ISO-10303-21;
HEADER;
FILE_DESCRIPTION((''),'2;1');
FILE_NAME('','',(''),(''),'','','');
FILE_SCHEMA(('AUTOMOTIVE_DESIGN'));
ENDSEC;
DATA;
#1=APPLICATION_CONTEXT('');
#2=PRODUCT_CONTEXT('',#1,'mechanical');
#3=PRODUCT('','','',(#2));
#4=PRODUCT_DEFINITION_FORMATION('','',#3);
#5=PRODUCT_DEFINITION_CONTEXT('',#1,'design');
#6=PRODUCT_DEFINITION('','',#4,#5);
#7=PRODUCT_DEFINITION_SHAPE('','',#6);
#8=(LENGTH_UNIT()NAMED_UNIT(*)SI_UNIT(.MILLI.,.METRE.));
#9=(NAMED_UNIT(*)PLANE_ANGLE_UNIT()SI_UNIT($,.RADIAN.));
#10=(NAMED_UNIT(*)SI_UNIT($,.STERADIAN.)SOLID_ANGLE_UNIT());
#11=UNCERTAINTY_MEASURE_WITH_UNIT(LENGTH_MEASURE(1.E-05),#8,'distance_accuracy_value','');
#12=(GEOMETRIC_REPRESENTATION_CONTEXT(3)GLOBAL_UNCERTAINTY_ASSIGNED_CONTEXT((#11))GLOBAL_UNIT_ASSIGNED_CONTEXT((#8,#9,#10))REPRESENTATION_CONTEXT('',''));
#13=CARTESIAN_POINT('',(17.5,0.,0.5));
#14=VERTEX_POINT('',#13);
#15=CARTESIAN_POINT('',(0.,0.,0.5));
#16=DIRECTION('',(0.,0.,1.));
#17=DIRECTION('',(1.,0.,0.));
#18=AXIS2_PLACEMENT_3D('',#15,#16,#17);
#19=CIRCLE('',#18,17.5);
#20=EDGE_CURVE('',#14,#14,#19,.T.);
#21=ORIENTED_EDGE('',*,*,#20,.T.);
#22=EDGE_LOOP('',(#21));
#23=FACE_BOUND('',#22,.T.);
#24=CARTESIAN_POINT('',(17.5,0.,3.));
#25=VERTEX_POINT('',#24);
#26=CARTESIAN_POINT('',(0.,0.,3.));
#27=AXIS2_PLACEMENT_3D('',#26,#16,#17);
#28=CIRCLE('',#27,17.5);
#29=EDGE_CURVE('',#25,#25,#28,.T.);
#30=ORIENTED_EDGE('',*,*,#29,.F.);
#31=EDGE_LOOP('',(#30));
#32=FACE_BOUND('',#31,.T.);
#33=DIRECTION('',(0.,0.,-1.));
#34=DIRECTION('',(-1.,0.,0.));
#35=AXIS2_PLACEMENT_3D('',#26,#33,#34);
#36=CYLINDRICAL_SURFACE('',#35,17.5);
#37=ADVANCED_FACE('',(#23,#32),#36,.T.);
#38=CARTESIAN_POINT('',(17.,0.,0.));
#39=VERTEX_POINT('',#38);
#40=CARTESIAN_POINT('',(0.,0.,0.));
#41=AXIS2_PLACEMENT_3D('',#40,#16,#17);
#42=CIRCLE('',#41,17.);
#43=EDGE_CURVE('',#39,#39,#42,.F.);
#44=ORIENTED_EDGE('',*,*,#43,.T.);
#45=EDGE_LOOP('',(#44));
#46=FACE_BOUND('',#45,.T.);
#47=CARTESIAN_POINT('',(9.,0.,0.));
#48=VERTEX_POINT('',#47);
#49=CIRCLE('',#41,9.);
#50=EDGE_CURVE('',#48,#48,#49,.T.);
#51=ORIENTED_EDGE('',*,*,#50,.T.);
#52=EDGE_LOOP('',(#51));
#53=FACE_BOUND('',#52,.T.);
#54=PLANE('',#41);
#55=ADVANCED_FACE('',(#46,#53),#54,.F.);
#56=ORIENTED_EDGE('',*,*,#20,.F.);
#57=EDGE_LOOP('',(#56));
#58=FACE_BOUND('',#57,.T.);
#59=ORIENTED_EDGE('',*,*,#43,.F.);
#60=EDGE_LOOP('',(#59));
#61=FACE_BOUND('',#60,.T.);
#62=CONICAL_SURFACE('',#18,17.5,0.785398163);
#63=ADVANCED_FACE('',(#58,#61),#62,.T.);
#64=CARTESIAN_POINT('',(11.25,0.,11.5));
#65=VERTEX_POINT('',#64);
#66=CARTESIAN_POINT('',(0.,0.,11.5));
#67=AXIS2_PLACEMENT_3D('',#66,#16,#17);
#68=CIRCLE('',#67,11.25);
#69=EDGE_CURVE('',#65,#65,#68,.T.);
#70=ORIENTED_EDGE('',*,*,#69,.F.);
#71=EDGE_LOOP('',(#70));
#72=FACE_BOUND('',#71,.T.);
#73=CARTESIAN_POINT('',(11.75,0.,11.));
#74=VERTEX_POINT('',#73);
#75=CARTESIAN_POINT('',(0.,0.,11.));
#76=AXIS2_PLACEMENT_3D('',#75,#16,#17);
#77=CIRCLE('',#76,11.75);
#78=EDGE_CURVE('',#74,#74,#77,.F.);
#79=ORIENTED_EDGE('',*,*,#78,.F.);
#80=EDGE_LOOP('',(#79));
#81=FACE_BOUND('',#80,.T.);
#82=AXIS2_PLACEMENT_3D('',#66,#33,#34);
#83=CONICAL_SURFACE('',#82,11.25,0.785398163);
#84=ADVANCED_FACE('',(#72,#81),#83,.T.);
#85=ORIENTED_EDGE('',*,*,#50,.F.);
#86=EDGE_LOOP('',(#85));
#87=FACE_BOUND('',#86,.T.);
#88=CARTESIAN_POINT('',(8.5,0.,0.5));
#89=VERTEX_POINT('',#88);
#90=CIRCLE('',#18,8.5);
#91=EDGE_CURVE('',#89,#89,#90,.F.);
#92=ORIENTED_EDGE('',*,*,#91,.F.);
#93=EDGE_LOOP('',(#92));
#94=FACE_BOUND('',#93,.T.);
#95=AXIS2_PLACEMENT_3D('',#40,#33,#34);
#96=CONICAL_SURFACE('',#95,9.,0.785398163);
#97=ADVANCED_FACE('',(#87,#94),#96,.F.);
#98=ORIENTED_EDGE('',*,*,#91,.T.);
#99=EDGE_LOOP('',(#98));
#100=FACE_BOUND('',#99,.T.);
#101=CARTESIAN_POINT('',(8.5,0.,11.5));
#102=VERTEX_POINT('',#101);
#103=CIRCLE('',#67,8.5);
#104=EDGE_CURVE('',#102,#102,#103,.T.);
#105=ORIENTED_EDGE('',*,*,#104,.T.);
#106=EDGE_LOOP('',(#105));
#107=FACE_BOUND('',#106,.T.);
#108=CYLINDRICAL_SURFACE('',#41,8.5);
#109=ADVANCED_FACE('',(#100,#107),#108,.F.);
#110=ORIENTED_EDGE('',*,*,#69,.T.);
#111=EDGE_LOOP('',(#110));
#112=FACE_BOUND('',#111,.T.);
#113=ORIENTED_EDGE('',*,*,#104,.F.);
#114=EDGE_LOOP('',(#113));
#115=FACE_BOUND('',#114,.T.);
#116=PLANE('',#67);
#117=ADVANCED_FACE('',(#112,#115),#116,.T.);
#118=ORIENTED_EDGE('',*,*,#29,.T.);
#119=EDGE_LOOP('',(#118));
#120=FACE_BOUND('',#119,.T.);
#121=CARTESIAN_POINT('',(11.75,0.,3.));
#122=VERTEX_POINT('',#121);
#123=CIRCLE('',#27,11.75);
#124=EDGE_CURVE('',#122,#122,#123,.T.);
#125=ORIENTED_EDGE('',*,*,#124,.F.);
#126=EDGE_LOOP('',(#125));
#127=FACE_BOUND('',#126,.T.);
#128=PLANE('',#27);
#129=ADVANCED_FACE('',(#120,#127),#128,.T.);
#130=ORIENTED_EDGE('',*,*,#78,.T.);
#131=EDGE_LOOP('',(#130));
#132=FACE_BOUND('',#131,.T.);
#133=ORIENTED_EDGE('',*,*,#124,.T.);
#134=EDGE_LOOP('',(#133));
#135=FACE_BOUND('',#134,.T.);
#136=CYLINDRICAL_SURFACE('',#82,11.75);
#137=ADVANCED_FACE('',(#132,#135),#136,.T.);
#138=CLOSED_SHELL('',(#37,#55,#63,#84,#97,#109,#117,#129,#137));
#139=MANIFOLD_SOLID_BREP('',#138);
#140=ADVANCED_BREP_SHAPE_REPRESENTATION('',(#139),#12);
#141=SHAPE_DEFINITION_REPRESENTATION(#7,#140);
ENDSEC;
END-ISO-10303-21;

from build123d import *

# Parameters (mm, degrees)
SCHIZZO1_R        = 17.5
ESTRUSIONE1_DEPTH = 3
SCHIZZO2_R        = 11.75
ESTRUSIONE2_DEPTH = 8.5
SCHIZZO3_R        = 8.5
ESTRUSIONE3_DEPTH = 28.290108098
SMUSSO1_SIZE      = 0.5


with BuildPart() as part:
    # Schizzo1 → Estrusione1 (new body)
    with BuildSketch(Plane.XY):
        Circle(SCHIZZO1_R)
    extrude(amount=ESTRUSIONE1_DEPTH)

    # Schizzo2 → Estrusione2 (add)
    with BuildSketch(Plane.XY.offset(3)):
        Circle(SCHIZZO2_R)
    extrude(amount=ESTRUSIONE2_DEPTH)

    # Schizzo3 → Estrusione3 (cut, through all)
    with BuildSketch(Plane.XY.offset(11.5)):
        Circle(SCHIZZO3_R)
    extrude(amount=-ESTRUSIONE3_DEPTH, mode=Mode.SUBTRACT)

    # Smusso1
    smusso1_edges = [part.edges().sort_by_distance(p)[0] for p in [
        (-8.5, 0, 0),
        (-17.5, 0, 0),
        (-11.75, 0, 11.5),
    ]]
    chamfer(smusso1_edges, length=SMUSSO1_SIZE)


solid = part.part
